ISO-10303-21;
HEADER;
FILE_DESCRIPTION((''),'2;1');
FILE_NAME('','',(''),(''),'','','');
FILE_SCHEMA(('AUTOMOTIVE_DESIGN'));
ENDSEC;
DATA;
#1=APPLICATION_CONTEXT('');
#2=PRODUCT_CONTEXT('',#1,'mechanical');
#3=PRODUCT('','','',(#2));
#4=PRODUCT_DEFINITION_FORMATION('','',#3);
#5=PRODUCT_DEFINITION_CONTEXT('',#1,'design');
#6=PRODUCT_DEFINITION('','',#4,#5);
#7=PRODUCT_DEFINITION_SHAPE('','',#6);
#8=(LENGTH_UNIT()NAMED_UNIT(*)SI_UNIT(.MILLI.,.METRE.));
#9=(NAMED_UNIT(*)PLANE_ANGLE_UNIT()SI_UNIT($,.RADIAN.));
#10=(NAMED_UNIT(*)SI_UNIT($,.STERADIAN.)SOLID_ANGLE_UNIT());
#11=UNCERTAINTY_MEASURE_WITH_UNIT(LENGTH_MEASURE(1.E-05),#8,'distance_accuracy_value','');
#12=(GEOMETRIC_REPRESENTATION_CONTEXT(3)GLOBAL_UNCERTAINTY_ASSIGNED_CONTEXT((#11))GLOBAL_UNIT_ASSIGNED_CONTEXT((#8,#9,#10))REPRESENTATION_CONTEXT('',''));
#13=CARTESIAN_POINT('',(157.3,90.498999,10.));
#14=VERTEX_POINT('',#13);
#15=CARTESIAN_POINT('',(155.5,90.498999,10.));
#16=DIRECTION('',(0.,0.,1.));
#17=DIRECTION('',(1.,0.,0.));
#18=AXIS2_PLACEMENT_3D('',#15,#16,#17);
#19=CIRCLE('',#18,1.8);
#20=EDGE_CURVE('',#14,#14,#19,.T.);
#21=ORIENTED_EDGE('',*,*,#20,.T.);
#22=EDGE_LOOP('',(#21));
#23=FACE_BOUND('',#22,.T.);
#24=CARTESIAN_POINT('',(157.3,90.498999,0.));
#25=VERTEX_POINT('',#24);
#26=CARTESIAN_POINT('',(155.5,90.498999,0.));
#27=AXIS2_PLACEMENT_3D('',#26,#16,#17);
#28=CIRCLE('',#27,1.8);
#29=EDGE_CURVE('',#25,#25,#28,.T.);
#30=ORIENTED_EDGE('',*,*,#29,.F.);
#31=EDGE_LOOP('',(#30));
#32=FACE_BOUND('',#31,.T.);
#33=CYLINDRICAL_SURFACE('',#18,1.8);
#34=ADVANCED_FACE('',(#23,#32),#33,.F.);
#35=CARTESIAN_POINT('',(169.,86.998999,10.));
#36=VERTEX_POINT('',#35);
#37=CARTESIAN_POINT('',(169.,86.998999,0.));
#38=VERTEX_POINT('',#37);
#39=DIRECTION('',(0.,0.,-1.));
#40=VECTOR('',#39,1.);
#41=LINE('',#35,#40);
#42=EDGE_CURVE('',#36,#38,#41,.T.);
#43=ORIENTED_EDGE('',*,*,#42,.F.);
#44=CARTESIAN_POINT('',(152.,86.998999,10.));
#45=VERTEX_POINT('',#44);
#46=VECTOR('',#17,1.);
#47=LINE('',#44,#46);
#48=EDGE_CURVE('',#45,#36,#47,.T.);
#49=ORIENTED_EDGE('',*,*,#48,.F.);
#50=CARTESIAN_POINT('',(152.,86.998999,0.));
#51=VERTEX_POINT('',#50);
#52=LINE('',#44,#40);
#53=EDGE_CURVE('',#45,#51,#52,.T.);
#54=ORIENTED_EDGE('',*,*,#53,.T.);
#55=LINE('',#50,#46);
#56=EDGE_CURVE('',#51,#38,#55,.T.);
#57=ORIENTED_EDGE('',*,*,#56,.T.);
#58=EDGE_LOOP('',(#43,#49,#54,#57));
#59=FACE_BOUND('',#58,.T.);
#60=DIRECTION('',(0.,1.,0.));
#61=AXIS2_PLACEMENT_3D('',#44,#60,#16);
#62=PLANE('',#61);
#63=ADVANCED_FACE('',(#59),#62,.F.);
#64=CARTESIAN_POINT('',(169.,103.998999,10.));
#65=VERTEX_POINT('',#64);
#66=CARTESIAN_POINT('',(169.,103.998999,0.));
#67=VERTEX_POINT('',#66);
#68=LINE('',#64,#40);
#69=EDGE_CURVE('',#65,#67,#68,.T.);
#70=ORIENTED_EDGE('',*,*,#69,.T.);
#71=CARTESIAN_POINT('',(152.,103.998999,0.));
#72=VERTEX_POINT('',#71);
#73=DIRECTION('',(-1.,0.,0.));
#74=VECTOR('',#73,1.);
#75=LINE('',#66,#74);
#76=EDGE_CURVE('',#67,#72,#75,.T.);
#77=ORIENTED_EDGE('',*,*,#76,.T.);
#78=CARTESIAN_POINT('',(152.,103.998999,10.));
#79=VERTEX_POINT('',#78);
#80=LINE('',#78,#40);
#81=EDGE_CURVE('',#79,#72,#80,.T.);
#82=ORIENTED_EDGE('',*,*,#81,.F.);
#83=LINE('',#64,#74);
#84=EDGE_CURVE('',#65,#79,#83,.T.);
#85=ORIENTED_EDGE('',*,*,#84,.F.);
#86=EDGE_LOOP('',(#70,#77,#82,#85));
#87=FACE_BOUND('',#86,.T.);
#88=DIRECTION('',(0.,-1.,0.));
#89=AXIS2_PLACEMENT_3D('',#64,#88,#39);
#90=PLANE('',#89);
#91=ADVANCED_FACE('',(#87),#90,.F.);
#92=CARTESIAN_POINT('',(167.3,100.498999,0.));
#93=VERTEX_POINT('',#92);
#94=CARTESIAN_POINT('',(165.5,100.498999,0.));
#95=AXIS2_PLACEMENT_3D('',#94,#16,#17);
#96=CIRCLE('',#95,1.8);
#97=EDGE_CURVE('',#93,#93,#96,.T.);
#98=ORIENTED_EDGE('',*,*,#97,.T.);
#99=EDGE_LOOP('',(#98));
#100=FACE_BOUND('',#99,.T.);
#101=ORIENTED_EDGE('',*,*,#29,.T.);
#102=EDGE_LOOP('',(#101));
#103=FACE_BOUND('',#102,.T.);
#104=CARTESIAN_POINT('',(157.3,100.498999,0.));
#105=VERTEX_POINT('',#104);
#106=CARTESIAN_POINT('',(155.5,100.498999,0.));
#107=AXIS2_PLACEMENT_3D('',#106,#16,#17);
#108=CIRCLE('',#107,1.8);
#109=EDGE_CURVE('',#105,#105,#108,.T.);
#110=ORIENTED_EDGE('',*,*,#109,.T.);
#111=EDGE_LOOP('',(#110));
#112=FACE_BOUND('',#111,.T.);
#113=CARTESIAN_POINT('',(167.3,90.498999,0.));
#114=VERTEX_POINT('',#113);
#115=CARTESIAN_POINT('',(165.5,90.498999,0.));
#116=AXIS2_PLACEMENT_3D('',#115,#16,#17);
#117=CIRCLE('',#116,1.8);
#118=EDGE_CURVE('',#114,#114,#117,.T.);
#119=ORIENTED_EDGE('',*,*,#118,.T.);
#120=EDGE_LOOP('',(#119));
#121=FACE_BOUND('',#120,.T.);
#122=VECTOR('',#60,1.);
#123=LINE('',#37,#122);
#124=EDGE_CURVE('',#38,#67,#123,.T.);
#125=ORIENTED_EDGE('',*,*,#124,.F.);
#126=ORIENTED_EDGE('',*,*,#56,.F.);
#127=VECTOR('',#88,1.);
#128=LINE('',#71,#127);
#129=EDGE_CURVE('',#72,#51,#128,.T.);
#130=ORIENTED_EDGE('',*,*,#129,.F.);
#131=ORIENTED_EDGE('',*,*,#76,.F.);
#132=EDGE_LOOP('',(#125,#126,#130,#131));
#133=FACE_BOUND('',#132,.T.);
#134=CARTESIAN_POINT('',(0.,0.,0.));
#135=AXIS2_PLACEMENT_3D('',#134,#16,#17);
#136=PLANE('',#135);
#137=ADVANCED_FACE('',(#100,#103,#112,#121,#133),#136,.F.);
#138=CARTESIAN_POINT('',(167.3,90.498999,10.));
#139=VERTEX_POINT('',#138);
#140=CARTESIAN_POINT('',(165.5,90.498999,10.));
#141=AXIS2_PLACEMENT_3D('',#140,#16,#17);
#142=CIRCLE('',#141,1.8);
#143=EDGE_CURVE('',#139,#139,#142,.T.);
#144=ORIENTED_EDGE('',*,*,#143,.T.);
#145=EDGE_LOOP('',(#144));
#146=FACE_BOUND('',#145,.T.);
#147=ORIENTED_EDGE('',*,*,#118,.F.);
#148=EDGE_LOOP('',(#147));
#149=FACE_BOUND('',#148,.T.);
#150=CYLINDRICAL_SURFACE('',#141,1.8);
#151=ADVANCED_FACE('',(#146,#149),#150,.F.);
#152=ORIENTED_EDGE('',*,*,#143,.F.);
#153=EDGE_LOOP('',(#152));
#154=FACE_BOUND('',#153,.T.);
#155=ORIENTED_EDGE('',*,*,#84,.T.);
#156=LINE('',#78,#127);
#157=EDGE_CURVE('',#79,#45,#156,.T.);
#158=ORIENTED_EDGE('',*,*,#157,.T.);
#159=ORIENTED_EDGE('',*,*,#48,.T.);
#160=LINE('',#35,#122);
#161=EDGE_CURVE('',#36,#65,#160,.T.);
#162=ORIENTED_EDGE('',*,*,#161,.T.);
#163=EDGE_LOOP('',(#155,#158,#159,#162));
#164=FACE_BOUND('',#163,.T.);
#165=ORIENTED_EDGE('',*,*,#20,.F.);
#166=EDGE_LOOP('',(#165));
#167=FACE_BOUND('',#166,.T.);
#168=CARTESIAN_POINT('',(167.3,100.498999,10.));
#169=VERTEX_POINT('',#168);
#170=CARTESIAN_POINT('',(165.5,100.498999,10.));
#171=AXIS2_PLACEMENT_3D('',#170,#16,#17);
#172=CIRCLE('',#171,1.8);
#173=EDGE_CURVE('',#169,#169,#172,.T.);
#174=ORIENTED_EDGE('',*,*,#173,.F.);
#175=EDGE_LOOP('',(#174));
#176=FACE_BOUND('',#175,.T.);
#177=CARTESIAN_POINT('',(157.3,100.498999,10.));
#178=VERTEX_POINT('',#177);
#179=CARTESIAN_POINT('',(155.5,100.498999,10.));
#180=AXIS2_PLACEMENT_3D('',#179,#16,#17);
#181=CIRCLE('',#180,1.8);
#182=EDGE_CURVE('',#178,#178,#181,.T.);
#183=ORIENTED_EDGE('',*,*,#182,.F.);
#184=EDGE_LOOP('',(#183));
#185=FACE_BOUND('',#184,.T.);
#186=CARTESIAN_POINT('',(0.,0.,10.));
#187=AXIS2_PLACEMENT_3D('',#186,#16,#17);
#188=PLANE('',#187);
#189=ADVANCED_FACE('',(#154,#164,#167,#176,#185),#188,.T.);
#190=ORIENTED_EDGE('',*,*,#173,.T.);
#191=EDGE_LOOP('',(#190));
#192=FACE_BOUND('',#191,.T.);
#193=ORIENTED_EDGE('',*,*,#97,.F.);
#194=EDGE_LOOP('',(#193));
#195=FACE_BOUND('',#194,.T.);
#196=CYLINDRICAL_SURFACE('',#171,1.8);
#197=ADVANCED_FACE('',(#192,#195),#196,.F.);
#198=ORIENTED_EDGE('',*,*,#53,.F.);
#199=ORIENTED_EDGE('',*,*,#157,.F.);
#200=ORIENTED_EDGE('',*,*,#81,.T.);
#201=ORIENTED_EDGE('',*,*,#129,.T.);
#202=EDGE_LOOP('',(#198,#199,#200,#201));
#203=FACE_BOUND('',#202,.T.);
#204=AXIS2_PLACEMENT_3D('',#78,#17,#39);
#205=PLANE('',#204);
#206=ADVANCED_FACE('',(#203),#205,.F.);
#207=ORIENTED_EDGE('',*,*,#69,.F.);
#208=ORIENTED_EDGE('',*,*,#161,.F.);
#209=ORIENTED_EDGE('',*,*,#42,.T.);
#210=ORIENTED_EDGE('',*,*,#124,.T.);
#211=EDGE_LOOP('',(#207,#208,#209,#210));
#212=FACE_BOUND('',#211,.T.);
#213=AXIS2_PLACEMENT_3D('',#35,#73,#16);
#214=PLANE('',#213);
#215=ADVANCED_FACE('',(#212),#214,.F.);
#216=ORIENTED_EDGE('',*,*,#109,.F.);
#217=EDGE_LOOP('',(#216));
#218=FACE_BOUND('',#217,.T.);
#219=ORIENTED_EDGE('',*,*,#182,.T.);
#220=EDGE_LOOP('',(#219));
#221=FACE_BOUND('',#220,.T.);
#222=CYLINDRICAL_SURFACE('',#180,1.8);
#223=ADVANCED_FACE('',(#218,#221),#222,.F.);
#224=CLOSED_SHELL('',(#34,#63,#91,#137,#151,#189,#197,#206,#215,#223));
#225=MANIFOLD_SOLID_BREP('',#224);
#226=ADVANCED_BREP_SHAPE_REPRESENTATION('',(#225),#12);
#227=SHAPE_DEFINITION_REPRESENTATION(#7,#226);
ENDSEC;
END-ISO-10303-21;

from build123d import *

# Parameters (mm, degrees)
SKETCH1_W            = 17
SKETCH1_H            = 17
BOSS_EXTRUDE1_DEPTH  = 10
M3_CLEARANCE_HOLE1_D = 3.6


with BuildPart() as part:
    # Sketch1 → Boss-Extrude1 (new body)
    with BuildSketch(Plane.XY):
        with Locations((160.500000073, 95.498999469)):
            Rectangle(SKETCH1_W, SKETCH1_H)
    extrude(amount=BOSS_EXTRUDE1_DEPTH)

    # M3 Clearance Hole1 (through all)
    with Locations(Plane.XY.offset(10)):
        with Locations((155.500000073, 100.498999469), (155.500000073, 90.498999469), (165.500000073, 90.498999469), (165.500000073, 100.498999469)):
            Hole(M3_CLEARANCE_HOLE1_D / 2)


solid = part.part
